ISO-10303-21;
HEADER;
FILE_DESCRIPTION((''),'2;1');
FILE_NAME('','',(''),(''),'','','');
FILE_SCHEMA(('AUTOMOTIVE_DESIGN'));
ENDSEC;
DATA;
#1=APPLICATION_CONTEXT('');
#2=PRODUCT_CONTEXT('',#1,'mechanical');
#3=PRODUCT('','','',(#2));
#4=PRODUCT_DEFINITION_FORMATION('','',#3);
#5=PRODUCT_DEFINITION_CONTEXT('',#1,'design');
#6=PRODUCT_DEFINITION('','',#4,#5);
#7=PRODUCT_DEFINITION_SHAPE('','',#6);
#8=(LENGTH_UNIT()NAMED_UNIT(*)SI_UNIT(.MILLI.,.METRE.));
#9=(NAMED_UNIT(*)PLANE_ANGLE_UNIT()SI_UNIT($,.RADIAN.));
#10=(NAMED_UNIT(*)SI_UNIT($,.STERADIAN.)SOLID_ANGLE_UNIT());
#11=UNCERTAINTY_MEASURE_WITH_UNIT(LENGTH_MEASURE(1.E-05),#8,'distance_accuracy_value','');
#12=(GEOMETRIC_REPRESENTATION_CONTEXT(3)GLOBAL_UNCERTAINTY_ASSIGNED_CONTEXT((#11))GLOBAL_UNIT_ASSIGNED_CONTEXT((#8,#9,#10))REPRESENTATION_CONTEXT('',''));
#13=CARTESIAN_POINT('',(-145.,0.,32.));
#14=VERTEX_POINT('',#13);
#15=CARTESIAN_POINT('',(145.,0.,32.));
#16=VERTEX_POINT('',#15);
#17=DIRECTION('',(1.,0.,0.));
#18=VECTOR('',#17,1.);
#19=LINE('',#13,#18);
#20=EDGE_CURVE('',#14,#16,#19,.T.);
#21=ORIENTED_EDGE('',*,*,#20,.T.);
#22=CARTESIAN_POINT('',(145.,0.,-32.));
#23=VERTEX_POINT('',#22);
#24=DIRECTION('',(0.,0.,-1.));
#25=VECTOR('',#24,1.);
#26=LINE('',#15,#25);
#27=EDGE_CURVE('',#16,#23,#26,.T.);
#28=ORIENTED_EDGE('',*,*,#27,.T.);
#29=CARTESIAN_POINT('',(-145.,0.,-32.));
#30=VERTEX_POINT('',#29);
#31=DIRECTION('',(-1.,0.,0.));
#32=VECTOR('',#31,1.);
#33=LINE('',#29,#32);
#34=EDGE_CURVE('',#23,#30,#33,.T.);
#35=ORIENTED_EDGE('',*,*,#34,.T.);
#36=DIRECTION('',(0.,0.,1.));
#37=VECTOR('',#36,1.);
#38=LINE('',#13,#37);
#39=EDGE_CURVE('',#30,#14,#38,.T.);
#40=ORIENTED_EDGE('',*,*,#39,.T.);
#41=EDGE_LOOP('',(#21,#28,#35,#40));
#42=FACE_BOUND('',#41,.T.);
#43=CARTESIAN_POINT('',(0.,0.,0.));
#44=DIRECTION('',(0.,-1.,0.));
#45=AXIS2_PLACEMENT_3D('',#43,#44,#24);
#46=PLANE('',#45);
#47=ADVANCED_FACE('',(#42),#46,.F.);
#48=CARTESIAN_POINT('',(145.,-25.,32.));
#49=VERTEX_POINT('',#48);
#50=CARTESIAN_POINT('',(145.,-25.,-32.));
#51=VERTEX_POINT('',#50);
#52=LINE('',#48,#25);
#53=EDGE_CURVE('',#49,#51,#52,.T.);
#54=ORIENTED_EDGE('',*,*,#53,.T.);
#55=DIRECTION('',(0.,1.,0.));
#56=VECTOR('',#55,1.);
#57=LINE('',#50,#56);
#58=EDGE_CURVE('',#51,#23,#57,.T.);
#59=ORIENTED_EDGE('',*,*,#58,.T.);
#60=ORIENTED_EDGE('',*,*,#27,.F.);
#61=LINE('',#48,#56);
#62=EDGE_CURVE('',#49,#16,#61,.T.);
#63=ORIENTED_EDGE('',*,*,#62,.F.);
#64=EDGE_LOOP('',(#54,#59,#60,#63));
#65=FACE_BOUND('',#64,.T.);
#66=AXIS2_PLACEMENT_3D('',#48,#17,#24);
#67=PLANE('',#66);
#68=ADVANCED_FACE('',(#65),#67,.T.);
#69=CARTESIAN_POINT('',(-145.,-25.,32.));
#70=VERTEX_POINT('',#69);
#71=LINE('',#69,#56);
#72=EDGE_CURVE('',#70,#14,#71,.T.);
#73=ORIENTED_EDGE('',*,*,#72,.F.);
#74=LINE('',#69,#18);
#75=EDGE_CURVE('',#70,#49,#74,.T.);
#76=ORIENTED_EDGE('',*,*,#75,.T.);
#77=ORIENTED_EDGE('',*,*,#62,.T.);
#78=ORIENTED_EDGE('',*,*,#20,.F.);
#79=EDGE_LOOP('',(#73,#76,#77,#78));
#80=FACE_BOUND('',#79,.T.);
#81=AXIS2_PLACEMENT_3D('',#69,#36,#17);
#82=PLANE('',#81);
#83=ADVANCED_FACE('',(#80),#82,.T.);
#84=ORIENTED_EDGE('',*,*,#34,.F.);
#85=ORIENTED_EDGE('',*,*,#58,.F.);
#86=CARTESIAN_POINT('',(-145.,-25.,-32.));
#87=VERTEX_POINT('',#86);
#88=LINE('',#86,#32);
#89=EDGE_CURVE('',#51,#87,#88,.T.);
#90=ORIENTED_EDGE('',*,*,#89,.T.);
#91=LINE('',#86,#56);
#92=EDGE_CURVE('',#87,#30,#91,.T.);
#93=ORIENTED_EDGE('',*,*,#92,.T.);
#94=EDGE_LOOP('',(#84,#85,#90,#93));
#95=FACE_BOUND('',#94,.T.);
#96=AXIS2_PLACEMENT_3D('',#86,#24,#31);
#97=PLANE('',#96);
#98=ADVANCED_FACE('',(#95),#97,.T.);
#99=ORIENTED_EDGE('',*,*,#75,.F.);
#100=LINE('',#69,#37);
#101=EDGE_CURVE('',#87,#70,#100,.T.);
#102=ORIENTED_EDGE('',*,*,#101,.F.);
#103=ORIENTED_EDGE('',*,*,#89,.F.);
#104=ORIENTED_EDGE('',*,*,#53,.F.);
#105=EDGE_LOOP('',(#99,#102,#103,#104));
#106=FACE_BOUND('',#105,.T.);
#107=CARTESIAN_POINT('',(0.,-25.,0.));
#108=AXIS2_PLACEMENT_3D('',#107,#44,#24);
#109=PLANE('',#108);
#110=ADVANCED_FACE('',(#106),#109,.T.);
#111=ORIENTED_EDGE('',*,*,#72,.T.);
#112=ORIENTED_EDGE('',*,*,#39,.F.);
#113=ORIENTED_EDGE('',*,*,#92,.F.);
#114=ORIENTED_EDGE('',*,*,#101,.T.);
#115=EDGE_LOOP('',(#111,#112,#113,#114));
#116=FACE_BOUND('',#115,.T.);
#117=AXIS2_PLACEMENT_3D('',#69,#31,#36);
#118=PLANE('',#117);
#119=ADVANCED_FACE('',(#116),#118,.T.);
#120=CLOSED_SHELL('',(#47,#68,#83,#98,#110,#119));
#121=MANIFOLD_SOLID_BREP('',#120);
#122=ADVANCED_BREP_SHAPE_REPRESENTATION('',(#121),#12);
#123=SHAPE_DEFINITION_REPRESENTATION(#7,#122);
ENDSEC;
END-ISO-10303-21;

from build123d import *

# Parameters (mm, degrees)
SKETCH1_W           = 290
SKETCH1_H           = 64
BOSS_EXTRUDE1_DEPTH = 25


with BuildPart() as part:
    # Sketch1 → Boss-Extrude1 (new body)
    with BuildSketch(Plane(origin=(0, 0, 0), x_dir=(1, 0, 0), z_dir=(0, 1, 0))):
        Rectangle(SKETCH1_W, SKETCH1_H)
    extrude(amount=-BOSS_EXTRUDE1_DEPTH)


solid = part.part
